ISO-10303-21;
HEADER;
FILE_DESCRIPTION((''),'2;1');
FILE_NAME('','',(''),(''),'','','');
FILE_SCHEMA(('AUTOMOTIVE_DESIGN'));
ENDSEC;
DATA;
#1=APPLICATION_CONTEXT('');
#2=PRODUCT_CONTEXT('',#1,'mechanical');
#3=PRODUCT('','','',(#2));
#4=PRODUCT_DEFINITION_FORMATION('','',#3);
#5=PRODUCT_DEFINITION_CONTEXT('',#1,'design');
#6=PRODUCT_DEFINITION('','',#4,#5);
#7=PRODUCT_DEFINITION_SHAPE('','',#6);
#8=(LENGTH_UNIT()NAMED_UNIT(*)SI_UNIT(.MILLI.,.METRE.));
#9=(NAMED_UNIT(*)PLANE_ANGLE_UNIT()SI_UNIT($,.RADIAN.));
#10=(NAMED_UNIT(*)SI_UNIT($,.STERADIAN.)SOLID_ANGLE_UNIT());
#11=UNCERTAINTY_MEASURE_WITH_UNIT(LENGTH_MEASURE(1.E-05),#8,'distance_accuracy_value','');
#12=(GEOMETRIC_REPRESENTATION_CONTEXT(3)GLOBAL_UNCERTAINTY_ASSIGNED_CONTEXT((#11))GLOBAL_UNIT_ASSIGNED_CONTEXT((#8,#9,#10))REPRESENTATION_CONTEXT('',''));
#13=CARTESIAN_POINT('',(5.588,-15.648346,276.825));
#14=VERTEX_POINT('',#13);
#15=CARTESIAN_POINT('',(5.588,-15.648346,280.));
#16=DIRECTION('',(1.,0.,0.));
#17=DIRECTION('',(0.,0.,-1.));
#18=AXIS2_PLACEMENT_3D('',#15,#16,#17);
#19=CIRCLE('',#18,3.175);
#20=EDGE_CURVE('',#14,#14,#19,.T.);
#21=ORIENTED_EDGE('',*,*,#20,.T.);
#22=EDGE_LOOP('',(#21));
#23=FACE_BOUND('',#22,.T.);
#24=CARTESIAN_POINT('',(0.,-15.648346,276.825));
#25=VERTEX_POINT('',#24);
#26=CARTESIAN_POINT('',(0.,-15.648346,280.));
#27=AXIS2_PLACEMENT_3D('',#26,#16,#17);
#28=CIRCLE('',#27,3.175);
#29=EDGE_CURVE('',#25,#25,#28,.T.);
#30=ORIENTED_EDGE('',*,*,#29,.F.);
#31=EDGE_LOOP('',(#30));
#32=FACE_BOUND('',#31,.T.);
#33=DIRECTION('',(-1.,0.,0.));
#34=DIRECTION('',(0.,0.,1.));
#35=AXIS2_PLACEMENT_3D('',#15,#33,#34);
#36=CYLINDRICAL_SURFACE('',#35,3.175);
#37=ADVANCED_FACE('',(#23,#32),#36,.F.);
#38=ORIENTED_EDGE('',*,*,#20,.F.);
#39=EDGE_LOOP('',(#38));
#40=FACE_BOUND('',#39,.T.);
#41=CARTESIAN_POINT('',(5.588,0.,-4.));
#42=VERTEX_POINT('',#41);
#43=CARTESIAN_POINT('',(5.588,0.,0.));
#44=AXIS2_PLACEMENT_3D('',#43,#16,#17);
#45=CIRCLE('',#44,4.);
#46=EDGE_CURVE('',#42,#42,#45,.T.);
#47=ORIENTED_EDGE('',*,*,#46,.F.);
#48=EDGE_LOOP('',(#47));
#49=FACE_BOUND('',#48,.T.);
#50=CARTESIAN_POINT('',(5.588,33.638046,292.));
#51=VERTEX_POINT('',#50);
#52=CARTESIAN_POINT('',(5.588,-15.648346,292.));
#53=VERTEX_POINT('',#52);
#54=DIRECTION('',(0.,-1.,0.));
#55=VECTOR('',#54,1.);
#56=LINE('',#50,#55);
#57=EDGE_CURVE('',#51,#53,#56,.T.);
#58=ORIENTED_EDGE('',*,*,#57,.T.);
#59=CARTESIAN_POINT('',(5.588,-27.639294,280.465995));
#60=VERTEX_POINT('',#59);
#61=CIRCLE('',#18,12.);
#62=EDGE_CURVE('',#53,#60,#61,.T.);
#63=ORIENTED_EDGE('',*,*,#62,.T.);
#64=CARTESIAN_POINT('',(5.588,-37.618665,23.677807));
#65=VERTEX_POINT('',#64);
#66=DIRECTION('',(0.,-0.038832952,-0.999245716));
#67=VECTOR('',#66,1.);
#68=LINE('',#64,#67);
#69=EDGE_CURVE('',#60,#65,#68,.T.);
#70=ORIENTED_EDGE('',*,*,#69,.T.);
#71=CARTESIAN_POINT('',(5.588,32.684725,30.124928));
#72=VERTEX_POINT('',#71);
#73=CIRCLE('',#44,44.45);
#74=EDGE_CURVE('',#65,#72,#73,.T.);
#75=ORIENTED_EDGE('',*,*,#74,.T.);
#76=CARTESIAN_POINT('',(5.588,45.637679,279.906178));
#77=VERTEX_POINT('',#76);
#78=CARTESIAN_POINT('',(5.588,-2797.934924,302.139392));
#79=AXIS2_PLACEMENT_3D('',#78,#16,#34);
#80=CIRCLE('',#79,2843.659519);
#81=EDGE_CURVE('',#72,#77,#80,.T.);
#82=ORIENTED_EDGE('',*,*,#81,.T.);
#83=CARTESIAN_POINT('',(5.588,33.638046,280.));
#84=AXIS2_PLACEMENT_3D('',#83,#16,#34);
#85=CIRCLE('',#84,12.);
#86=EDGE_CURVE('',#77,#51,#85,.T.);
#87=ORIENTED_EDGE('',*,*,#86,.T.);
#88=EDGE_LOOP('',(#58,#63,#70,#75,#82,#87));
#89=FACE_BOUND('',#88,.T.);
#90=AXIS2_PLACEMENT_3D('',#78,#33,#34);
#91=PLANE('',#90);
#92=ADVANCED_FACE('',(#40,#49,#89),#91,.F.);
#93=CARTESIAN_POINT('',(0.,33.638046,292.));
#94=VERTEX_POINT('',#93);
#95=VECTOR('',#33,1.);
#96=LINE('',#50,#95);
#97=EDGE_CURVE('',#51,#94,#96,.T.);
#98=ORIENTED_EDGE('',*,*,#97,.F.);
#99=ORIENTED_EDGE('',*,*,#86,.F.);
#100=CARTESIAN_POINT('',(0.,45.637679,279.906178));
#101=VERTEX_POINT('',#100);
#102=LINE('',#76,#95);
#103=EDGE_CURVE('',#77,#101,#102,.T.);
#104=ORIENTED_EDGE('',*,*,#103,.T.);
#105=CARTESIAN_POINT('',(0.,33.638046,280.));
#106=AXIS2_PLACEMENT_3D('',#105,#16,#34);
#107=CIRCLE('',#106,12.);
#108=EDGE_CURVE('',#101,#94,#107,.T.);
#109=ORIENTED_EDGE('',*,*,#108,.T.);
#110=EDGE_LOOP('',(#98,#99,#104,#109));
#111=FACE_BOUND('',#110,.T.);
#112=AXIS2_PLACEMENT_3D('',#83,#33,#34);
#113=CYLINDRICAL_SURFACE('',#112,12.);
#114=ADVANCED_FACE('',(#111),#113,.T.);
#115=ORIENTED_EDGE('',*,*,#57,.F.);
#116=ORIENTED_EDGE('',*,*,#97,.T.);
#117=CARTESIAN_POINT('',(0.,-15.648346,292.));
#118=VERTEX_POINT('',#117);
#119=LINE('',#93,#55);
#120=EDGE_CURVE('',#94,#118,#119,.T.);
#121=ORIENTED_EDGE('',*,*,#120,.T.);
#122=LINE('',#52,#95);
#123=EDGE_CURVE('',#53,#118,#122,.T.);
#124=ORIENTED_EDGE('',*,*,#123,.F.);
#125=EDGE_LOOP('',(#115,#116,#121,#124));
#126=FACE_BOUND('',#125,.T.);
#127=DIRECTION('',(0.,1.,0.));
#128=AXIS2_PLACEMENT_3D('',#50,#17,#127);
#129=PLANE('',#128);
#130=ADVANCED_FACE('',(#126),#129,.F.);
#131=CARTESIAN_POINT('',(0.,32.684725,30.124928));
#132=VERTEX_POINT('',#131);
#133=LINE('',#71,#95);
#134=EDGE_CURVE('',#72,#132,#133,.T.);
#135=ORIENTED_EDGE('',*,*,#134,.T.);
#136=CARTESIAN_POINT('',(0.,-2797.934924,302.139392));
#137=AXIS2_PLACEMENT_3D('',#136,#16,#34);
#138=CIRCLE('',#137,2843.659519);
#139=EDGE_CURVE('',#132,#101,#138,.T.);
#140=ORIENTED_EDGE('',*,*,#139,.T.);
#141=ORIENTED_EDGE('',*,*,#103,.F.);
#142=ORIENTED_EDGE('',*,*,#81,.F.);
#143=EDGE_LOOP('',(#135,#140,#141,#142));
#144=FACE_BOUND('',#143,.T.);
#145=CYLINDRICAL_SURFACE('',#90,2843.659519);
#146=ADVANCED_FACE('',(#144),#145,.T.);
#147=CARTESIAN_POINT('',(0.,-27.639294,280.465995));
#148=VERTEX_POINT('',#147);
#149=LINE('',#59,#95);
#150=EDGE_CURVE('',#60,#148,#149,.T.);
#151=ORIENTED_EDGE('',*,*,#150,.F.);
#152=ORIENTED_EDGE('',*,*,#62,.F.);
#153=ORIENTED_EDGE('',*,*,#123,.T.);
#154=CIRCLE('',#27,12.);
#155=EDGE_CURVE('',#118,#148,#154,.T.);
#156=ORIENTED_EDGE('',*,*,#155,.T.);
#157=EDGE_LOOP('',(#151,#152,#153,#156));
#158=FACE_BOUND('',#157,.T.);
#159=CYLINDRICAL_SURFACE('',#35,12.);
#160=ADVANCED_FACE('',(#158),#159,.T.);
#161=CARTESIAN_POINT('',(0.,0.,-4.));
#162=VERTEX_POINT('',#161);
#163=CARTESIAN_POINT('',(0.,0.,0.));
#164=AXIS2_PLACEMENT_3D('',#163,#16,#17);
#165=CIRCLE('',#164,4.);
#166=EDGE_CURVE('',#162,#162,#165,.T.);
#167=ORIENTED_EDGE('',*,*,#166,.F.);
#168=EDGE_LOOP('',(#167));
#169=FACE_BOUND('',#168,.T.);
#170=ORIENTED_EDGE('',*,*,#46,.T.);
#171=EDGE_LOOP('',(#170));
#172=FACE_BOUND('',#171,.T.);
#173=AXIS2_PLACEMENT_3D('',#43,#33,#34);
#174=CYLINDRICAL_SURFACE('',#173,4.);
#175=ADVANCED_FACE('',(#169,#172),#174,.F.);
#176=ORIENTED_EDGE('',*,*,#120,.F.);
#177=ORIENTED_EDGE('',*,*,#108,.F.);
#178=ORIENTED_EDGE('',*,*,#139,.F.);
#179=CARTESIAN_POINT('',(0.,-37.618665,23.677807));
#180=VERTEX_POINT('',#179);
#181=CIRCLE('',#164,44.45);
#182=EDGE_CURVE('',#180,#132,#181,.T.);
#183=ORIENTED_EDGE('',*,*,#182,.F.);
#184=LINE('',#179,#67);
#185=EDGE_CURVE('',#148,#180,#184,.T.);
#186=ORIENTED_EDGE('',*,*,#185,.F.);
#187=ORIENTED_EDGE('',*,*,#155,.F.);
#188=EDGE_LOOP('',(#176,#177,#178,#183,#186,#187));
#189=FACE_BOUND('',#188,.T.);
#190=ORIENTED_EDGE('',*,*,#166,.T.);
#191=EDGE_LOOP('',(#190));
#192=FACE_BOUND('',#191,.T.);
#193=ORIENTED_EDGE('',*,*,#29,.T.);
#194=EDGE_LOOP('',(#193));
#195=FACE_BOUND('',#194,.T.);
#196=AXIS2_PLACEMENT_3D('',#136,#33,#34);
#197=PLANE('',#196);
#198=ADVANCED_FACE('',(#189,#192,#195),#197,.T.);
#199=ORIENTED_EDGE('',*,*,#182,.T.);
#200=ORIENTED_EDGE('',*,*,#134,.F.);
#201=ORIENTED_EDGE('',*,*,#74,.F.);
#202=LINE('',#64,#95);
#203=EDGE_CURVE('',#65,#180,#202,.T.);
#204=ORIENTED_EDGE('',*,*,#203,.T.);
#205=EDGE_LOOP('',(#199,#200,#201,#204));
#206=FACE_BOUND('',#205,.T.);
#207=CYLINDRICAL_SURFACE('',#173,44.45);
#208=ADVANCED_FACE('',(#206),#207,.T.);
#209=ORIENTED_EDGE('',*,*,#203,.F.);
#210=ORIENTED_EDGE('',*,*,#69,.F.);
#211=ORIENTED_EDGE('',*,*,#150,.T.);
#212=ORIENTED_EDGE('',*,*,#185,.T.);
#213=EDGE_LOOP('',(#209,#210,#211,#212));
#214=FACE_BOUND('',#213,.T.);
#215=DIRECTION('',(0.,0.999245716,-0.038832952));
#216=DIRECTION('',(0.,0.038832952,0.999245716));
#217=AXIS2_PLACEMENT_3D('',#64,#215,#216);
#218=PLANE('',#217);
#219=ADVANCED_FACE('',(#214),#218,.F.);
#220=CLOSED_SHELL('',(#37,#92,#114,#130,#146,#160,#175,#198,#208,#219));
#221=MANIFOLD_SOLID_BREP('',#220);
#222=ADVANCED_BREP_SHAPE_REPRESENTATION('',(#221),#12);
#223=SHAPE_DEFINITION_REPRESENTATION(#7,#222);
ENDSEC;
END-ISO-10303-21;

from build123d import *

# Parameters (mm, degrees)
SKETCH2_R           = 4
SKETCH2_R_2         = 3.175
BOSS_EXTRUDE1_DEPTH = 5.588


with BuildPart() as part:
    # Sketch2 → Boss-Extrude1 (new body)
    with BuildSketch(Plane(origin=(0, 0, 0), x_dir=(0, 0, -1), z_dir=(1, 0, 0))):
        with BuildLine():
            Line((-292, 33.638045694), (-292, -15.648345659))
            ThreePointArc((-292, -15.648345659), (-288.648466484, -23.967241468), (-280.46599542, -27.639294256))
            Line((-280.46599542, -27.639294256), (-23.677807257, -37.618664829))
            ThreePointArc((-23.677807257, -37.618664829), (44.264265693, 4.059221924), (-30.124927866, 32.684724583))
            ThreePointArc((-30.124927866, 32.684724583), (-154.873072642, 41.908750383), (-279.906177735, 45.637678913))
            ThreePointArc((-279.906177735, 45.637678913), (-288.452045102, 42.156433663), (-292, 33.638045694))
        make_face()
        Circle(SKETCH2_R, mode=Mode.SUBTRACT)
        with Locations((-280, -15.648345659)):
            Circle(SKETCH2_R_2, mode=Mode.SUBTRACT)
    extrude(amount=BOSS_EXTRUDE1_DEPTH)


solid = part.part
